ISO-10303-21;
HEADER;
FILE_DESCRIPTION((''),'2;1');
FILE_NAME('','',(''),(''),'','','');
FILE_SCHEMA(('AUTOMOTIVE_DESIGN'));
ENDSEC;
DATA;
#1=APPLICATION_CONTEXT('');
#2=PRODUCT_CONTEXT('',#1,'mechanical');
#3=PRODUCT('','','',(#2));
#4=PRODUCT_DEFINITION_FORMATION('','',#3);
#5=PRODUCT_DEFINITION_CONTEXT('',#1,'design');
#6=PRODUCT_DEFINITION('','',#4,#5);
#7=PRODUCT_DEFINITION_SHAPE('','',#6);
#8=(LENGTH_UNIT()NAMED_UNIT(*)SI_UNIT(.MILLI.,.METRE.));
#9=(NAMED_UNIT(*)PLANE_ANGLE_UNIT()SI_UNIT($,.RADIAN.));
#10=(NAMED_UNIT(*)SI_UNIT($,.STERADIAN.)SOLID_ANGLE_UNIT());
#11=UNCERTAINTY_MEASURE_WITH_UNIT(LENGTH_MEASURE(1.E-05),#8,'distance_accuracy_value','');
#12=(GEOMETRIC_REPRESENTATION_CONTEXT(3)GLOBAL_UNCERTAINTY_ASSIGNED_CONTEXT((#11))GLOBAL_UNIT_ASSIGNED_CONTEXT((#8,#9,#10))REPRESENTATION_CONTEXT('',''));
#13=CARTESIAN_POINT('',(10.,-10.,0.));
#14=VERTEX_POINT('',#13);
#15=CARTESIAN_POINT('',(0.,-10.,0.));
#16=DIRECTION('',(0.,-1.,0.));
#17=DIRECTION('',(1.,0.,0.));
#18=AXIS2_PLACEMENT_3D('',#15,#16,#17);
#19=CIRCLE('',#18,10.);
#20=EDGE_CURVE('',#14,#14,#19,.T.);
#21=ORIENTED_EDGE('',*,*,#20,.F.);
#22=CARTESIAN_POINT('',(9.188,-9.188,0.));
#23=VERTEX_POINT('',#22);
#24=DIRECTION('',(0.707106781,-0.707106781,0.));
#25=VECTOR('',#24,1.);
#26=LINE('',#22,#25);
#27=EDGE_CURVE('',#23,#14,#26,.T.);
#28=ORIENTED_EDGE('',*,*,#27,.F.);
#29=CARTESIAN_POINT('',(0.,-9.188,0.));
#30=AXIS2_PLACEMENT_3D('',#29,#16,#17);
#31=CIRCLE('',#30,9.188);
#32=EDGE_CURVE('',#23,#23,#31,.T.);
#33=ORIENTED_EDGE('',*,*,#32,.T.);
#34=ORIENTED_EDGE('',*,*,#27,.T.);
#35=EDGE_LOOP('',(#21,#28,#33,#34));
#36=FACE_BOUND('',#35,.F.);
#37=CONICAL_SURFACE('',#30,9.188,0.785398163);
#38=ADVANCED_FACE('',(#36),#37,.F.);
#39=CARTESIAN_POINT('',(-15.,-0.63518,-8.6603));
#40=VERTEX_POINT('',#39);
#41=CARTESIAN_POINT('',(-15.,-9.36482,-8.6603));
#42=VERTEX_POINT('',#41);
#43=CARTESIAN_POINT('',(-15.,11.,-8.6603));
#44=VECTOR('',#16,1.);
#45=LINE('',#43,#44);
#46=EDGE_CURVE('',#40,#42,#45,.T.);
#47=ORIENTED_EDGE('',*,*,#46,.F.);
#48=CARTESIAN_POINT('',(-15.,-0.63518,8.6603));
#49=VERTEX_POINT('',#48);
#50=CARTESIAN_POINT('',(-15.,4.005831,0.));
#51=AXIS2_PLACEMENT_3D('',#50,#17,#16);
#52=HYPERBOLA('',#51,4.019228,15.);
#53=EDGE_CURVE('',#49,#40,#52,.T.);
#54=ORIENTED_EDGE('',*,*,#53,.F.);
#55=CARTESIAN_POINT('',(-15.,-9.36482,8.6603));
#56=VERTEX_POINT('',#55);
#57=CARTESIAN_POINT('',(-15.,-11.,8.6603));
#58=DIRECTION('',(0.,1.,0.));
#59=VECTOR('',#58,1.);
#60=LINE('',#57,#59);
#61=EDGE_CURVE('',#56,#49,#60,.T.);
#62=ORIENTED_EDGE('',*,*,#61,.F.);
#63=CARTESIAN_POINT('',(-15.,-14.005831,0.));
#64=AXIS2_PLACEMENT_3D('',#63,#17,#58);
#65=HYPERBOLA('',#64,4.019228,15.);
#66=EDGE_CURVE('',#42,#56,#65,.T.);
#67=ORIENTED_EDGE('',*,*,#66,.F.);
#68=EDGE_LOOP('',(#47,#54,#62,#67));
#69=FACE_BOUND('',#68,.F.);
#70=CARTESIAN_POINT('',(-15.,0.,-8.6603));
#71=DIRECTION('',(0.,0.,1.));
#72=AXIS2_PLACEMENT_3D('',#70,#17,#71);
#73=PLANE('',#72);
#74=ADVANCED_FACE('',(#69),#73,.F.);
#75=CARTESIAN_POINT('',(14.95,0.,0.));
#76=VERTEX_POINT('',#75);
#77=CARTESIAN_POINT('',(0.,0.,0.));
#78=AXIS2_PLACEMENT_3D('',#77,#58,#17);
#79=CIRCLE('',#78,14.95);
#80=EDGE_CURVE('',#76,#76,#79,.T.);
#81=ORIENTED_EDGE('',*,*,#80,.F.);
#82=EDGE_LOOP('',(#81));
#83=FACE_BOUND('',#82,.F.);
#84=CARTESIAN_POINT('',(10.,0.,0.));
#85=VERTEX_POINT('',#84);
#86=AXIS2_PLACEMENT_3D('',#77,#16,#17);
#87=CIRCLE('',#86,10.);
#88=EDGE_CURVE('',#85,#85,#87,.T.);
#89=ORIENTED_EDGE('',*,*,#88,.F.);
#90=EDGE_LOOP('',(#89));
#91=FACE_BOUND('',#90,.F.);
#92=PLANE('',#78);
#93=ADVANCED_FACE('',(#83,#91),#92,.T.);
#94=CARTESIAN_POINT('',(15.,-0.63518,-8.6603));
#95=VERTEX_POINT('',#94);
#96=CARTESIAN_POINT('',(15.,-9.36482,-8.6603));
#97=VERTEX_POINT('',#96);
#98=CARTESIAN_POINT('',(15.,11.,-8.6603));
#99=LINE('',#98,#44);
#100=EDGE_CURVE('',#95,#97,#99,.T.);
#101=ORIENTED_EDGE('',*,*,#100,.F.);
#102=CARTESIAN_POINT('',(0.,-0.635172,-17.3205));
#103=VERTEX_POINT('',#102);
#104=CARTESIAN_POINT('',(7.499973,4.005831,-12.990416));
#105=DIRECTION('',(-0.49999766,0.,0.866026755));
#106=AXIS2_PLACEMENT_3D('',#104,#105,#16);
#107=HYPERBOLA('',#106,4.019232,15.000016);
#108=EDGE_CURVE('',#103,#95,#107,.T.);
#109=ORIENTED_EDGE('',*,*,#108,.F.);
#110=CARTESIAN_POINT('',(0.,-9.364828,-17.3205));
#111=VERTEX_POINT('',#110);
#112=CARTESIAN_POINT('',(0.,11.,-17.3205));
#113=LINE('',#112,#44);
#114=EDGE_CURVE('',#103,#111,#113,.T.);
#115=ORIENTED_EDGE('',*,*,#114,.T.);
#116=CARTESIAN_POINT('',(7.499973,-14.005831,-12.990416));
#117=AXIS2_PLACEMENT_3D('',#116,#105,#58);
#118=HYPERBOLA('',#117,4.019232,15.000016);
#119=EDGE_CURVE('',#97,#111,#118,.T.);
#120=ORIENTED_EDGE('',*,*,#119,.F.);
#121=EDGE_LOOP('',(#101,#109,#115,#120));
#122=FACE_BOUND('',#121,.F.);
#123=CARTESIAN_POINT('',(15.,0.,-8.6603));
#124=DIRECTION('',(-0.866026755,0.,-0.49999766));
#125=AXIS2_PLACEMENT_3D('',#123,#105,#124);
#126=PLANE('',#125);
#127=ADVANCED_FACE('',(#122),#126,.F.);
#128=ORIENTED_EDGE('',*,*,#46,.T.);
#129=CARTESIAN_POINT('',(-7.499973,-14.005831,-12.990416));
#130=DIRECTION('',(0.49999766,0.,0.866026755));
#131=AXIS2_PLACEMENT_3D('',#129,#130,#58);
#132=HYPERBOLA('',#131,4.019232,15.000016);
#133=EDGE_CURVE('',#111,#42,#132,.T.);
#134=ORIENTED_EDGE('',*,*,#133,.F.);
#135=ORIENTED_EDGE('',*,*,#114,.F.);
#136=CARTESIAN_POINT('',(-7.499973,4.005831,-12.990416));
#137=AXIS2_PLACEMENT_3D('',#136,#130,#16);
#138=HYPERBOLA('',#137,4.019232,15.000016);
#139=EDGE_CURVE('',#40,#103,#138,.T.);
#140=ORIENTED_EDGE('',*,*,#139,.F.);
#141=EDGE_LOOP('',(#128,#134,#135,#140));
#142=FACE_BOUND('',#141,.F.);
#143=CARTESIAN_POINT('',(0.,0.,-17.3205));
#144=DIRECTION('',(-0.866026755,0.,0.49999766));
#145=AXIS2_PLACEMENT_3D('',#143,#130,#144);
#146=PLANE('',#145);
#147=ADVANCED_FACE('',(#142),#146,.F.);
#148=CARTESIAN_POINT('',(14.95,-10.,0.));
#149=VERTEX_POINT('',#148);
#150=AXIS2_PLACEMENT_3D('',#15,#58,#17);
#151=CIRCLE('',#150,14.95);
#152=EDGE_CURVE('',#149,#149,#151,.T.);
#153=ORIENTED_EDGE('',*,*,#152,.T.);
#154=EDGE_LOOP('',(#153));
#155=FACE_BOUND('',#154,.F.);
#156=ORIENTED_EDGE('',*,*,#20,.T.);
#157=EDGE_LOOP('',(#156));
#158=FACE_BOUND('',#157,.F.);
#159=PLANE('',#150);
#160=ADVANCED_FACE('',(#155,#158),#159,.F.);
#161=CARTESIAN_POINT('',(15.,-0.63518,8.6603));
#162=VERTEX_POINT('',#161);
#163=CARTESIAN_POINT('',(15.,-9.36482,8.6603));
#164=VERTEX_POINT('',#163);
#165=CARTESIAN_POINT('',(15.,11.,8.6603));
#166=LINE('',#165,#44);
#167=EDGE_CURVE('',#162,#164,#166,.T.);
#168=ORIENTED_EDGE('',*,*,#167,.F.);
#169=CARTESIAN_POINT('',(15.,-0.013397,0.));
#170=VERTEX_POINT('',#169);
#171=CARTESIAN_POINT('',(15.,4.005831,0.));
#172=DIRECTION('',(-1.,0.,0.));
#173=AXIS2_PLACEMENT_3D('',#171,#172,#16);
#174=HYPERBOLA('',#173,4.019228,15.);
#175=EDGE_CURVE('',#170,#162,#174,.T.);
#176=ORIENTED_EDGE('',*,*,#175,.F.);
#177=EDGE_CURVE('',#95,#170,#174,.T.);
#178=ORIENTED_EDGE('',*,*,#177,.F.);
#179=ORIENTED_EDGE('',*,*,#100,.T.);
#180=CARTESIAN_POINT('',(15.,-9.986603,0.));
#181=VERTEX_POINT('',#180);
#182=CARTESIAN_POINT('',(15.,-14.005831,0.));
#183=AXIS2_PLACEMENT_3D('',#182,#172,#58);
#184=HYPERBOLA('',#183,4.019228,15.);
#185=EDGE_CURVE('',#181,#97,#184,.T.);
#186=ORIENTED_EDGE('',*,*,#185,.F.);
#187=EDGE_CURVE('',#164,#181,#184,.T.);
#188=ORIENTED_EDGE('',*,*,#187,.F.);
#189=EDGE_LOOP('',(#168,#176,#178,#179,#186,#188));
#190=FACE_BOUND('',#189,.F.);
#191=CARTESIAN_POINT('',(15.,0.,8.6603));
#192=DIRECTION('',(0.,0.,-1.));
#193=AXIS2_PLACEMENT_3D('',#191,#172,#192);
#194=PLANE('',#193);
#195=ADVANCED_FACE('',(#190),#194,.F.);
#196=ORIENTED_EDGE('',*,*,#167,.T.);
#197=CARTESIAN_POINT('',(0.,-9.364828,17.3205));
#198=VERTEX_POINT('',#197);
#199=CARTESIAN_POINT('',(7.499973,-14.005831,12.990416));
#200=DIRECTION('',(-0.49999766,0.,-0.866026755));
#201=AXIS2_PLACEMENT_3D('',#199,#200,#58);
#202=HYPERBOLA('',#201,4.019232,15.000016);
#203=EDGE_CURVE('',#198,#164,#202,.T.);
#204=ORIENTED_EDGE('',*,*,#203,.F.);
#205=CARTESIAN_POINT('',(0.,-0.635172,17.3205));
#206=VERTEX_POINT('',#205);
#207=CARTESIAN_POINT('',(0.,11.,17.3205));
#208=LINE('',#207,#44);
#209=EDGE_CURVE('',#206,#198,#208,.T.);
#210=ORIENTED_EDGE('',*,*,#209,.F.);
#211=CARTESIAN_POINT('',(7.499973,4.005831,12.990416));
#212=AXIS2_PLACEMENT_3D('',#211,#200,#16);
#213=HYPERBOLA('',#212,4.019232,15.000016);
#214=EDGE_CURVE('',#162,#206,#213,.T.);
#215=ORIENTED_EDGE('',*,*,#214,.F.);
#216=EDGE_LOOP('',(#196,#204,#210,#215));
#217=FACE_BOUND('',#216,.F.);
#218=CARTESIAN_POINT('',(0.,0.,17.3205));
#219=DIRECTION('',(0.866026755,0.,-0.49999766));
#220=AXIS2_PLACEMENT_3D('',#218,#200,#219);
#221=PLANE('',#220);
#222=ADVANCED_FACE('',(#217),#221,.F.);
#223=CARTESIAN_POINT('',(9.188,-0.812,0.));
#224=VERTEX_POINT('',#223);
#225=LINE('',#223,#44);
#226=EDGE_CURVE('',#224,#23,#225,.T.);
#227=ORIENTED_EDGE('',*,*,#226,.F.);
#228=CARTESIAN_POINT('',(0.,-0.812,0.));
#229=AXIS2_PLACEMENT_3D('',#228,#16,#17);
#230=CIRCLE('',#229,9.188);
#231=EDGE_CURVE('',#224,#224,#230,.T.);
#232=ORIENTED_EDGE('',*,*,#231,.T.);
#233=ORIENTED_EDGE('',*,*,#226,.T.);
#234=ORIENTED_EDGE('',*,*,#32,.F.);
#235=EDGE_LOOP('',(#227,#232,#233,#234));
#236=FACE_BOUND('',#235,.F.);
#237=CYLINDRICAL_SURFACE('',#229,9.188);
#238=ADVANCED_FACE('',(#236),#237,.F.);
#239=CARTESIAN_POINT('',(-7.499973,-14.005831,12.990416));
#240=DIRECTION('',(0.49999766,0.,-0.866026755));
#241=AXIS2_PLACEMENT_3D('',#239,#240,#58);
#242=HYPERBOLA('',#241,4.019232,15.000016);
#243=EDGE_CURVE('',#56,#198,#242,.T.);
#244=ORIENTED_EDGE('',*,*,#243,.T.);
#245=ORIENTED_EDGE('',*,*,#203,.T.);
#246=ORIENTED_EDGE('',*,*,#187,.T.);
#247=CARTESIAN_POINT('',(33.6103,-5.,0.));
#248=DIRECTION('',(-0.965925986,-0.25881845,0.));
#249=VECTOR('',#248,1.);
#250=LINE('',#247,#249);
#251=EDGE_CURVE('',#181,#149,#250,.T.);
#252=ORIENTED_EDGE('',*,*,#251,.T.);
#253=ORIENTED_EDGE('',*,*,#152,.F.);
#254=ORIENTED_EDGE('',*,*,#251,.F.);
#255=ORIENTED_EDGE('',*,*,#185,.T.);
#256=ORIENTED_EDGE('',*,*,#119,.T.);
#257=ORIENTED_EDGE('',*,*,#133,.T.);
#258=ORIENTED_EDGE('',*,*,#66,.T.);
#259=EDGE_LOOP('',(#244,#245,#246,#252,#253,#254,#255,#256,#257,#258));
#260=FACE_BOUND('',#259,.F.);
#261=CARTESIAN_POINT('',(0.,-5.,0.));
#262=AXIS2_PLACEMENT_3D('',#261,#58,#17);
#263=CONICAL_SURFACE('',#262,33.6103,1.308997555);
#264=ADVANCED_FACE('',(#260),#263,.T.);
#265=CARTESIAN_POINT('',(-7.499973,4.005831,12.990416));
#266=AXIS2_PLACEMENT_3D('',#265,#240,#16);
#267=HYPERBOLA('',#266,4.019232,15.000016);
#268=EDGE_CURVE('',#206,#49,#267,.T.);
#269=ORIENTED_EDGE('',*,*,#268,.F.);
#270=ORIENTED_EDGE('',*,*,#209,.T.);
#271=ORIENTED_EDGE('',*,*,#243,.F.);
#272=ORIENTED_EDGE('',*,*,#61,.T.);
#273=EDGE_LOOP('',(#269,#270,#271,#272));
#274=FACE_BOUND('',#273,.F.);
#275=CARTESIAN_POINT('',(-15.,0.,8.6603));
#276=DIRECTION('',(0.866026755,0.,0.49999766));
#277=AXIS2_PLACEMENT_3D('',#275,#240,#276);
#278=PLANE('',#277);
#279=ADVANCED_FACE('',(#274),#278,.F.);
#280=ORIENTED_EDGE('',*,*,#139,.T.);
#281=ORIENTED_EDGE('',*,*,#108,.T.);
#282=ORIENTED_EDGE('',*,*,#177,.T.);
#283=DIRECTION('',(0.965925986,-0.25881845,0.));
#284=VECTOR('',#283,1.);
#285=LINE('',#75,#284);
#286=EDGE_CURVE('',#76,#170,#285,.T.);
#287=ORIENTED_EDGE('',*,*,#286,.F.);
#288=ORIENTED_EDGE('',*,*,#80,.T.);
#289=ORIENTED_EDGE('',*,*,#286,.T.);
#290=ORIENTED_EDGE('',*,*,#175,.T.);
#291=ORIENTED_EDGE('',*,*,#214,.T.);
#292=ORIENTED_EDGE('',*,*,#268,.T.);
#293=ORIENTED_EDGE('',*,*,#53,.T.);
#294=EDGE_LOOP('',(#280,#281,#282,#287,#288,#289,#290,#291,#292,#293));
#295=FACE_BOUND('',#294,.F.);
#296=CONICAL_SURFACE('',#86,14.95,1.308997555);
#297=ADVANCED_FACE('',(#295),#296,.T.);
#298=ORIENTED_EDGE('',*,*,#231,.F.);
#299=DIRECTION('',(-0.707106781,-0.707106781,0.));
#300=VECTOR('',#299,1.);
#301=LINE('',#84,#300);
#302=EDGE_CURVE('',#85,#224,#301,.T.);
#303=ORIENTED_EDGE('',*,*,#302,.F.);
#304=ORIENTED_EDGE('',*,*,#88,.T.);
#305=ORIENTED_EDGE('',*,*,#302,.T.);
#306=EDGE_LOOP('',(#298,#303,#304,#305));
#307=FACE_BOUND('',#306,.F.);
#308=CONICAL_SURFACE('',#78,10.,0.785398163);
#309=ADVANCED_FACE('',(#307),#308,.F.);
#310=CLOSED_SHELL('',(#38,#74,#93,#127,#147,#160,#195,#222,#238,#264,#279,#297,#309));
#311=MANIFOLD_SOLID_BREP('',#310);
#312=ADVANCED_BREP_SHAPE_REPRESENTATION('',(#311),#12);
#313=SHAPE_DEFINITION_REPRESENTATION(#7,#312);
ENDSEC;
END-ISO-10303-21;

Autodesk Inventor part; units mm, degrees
sketch "Sketch_1" plane through (0, 0, 0) normal (0, 0, 1) x (1, 0, 0)
  line L0 (0, -10) -> (0, 0)
  line L1 (0, 0) -> (14.95, 0)
  line L2 (14.95, 0) -> (33.6103, -5)
  line L3 (33.6103, -5) -> (14.95, -10)
  line L4 (14.95, -10) -> (0, -10)
  line L5 (0, -10) -> (0, 0)
revolve "Revolution1" add sketch "Sketch_1" angle 360 about axis through (0, -10, 0) along (0, 1, 0)
sketch "Sketch_2" plane through (0, 0, 0) normal (0, 1, 0) x (-1, 0, 0)
  line L0 (60, -60) -> (60, 60)
  line L1 (60, 60) -> (-60, 60)
  line L2 (-60, 60) -> (-60, -60)
  line L3 (-60, -60) -> (60, -60)
  line L4 (15, 8.6603) -> (0, 17.3205)
  line L5 (0, 17.3205) -> (-15, 8.6603)
  line L6 (-15, 8.6603) -> (-15, -8.6603)
  line L7 (-15, -8.6603) -> (0, -17.3205)
  line L8 (0, -17.3205) -> (15, -8.6603)
  line L9 (15, -8.6603) -> (15, 8.6603)
extrude "Extrusion1" cut sketch "Sketch_2" along normal mid plane 22
sketch "Sketch_3" plane through (0, 0, 0) normal (0, 0, 1) x (1, 0, 0)
  line L0 (0, -10) -> (0, 0)
  line L1 (0, 0) -> (10, 0)
  line L2 (10, 0) -> (9.188, -0.812)
  line L3 (9.188, -0.812) -> (9.188, -9.188)
  line L4 (9.188, -9.188) -> (10, -10)
  line L5 (10, -10) -> (0, -10)
  line L6 (0, -10) -> (0, 0)
revolve "Revolution2" cut sketch "Sketch_3" angle 360 about axis through (0, -10, 0) along (0, -1, 0)
thread "Thread1" size "M20x1.5" class "6H" standard "ISO Metric profile" full length
ref_plane "2CYL_XY" through (0, -5, 0) normal (0, 1, 0) x (1, 0, 0)
ref_plane "2CYL_YZ" through (0, -5, 0) normal (1, 0, 0) x (0, 0, -1)
ref_plane "2CYL_ZX" through (0, -5, 0) normal (0, 0, -1) x (0, 1, 0)
ref_plane "din439b_punkt_XY" through (0, 0, 0) normal (0, 1, 0) x (1, 0, 0)
ref_plane "din439b_punkt_YZ" through (0, 0, 0) normal (1, 0, 0) x (0, 0, -1)
ref_plane "din439b_punkt_ZX" through (0, 0, 0) normal (0, 0, -1) x (0, 1, 0)
properties part number "DIN-439-B - M20x1.5(F)"
